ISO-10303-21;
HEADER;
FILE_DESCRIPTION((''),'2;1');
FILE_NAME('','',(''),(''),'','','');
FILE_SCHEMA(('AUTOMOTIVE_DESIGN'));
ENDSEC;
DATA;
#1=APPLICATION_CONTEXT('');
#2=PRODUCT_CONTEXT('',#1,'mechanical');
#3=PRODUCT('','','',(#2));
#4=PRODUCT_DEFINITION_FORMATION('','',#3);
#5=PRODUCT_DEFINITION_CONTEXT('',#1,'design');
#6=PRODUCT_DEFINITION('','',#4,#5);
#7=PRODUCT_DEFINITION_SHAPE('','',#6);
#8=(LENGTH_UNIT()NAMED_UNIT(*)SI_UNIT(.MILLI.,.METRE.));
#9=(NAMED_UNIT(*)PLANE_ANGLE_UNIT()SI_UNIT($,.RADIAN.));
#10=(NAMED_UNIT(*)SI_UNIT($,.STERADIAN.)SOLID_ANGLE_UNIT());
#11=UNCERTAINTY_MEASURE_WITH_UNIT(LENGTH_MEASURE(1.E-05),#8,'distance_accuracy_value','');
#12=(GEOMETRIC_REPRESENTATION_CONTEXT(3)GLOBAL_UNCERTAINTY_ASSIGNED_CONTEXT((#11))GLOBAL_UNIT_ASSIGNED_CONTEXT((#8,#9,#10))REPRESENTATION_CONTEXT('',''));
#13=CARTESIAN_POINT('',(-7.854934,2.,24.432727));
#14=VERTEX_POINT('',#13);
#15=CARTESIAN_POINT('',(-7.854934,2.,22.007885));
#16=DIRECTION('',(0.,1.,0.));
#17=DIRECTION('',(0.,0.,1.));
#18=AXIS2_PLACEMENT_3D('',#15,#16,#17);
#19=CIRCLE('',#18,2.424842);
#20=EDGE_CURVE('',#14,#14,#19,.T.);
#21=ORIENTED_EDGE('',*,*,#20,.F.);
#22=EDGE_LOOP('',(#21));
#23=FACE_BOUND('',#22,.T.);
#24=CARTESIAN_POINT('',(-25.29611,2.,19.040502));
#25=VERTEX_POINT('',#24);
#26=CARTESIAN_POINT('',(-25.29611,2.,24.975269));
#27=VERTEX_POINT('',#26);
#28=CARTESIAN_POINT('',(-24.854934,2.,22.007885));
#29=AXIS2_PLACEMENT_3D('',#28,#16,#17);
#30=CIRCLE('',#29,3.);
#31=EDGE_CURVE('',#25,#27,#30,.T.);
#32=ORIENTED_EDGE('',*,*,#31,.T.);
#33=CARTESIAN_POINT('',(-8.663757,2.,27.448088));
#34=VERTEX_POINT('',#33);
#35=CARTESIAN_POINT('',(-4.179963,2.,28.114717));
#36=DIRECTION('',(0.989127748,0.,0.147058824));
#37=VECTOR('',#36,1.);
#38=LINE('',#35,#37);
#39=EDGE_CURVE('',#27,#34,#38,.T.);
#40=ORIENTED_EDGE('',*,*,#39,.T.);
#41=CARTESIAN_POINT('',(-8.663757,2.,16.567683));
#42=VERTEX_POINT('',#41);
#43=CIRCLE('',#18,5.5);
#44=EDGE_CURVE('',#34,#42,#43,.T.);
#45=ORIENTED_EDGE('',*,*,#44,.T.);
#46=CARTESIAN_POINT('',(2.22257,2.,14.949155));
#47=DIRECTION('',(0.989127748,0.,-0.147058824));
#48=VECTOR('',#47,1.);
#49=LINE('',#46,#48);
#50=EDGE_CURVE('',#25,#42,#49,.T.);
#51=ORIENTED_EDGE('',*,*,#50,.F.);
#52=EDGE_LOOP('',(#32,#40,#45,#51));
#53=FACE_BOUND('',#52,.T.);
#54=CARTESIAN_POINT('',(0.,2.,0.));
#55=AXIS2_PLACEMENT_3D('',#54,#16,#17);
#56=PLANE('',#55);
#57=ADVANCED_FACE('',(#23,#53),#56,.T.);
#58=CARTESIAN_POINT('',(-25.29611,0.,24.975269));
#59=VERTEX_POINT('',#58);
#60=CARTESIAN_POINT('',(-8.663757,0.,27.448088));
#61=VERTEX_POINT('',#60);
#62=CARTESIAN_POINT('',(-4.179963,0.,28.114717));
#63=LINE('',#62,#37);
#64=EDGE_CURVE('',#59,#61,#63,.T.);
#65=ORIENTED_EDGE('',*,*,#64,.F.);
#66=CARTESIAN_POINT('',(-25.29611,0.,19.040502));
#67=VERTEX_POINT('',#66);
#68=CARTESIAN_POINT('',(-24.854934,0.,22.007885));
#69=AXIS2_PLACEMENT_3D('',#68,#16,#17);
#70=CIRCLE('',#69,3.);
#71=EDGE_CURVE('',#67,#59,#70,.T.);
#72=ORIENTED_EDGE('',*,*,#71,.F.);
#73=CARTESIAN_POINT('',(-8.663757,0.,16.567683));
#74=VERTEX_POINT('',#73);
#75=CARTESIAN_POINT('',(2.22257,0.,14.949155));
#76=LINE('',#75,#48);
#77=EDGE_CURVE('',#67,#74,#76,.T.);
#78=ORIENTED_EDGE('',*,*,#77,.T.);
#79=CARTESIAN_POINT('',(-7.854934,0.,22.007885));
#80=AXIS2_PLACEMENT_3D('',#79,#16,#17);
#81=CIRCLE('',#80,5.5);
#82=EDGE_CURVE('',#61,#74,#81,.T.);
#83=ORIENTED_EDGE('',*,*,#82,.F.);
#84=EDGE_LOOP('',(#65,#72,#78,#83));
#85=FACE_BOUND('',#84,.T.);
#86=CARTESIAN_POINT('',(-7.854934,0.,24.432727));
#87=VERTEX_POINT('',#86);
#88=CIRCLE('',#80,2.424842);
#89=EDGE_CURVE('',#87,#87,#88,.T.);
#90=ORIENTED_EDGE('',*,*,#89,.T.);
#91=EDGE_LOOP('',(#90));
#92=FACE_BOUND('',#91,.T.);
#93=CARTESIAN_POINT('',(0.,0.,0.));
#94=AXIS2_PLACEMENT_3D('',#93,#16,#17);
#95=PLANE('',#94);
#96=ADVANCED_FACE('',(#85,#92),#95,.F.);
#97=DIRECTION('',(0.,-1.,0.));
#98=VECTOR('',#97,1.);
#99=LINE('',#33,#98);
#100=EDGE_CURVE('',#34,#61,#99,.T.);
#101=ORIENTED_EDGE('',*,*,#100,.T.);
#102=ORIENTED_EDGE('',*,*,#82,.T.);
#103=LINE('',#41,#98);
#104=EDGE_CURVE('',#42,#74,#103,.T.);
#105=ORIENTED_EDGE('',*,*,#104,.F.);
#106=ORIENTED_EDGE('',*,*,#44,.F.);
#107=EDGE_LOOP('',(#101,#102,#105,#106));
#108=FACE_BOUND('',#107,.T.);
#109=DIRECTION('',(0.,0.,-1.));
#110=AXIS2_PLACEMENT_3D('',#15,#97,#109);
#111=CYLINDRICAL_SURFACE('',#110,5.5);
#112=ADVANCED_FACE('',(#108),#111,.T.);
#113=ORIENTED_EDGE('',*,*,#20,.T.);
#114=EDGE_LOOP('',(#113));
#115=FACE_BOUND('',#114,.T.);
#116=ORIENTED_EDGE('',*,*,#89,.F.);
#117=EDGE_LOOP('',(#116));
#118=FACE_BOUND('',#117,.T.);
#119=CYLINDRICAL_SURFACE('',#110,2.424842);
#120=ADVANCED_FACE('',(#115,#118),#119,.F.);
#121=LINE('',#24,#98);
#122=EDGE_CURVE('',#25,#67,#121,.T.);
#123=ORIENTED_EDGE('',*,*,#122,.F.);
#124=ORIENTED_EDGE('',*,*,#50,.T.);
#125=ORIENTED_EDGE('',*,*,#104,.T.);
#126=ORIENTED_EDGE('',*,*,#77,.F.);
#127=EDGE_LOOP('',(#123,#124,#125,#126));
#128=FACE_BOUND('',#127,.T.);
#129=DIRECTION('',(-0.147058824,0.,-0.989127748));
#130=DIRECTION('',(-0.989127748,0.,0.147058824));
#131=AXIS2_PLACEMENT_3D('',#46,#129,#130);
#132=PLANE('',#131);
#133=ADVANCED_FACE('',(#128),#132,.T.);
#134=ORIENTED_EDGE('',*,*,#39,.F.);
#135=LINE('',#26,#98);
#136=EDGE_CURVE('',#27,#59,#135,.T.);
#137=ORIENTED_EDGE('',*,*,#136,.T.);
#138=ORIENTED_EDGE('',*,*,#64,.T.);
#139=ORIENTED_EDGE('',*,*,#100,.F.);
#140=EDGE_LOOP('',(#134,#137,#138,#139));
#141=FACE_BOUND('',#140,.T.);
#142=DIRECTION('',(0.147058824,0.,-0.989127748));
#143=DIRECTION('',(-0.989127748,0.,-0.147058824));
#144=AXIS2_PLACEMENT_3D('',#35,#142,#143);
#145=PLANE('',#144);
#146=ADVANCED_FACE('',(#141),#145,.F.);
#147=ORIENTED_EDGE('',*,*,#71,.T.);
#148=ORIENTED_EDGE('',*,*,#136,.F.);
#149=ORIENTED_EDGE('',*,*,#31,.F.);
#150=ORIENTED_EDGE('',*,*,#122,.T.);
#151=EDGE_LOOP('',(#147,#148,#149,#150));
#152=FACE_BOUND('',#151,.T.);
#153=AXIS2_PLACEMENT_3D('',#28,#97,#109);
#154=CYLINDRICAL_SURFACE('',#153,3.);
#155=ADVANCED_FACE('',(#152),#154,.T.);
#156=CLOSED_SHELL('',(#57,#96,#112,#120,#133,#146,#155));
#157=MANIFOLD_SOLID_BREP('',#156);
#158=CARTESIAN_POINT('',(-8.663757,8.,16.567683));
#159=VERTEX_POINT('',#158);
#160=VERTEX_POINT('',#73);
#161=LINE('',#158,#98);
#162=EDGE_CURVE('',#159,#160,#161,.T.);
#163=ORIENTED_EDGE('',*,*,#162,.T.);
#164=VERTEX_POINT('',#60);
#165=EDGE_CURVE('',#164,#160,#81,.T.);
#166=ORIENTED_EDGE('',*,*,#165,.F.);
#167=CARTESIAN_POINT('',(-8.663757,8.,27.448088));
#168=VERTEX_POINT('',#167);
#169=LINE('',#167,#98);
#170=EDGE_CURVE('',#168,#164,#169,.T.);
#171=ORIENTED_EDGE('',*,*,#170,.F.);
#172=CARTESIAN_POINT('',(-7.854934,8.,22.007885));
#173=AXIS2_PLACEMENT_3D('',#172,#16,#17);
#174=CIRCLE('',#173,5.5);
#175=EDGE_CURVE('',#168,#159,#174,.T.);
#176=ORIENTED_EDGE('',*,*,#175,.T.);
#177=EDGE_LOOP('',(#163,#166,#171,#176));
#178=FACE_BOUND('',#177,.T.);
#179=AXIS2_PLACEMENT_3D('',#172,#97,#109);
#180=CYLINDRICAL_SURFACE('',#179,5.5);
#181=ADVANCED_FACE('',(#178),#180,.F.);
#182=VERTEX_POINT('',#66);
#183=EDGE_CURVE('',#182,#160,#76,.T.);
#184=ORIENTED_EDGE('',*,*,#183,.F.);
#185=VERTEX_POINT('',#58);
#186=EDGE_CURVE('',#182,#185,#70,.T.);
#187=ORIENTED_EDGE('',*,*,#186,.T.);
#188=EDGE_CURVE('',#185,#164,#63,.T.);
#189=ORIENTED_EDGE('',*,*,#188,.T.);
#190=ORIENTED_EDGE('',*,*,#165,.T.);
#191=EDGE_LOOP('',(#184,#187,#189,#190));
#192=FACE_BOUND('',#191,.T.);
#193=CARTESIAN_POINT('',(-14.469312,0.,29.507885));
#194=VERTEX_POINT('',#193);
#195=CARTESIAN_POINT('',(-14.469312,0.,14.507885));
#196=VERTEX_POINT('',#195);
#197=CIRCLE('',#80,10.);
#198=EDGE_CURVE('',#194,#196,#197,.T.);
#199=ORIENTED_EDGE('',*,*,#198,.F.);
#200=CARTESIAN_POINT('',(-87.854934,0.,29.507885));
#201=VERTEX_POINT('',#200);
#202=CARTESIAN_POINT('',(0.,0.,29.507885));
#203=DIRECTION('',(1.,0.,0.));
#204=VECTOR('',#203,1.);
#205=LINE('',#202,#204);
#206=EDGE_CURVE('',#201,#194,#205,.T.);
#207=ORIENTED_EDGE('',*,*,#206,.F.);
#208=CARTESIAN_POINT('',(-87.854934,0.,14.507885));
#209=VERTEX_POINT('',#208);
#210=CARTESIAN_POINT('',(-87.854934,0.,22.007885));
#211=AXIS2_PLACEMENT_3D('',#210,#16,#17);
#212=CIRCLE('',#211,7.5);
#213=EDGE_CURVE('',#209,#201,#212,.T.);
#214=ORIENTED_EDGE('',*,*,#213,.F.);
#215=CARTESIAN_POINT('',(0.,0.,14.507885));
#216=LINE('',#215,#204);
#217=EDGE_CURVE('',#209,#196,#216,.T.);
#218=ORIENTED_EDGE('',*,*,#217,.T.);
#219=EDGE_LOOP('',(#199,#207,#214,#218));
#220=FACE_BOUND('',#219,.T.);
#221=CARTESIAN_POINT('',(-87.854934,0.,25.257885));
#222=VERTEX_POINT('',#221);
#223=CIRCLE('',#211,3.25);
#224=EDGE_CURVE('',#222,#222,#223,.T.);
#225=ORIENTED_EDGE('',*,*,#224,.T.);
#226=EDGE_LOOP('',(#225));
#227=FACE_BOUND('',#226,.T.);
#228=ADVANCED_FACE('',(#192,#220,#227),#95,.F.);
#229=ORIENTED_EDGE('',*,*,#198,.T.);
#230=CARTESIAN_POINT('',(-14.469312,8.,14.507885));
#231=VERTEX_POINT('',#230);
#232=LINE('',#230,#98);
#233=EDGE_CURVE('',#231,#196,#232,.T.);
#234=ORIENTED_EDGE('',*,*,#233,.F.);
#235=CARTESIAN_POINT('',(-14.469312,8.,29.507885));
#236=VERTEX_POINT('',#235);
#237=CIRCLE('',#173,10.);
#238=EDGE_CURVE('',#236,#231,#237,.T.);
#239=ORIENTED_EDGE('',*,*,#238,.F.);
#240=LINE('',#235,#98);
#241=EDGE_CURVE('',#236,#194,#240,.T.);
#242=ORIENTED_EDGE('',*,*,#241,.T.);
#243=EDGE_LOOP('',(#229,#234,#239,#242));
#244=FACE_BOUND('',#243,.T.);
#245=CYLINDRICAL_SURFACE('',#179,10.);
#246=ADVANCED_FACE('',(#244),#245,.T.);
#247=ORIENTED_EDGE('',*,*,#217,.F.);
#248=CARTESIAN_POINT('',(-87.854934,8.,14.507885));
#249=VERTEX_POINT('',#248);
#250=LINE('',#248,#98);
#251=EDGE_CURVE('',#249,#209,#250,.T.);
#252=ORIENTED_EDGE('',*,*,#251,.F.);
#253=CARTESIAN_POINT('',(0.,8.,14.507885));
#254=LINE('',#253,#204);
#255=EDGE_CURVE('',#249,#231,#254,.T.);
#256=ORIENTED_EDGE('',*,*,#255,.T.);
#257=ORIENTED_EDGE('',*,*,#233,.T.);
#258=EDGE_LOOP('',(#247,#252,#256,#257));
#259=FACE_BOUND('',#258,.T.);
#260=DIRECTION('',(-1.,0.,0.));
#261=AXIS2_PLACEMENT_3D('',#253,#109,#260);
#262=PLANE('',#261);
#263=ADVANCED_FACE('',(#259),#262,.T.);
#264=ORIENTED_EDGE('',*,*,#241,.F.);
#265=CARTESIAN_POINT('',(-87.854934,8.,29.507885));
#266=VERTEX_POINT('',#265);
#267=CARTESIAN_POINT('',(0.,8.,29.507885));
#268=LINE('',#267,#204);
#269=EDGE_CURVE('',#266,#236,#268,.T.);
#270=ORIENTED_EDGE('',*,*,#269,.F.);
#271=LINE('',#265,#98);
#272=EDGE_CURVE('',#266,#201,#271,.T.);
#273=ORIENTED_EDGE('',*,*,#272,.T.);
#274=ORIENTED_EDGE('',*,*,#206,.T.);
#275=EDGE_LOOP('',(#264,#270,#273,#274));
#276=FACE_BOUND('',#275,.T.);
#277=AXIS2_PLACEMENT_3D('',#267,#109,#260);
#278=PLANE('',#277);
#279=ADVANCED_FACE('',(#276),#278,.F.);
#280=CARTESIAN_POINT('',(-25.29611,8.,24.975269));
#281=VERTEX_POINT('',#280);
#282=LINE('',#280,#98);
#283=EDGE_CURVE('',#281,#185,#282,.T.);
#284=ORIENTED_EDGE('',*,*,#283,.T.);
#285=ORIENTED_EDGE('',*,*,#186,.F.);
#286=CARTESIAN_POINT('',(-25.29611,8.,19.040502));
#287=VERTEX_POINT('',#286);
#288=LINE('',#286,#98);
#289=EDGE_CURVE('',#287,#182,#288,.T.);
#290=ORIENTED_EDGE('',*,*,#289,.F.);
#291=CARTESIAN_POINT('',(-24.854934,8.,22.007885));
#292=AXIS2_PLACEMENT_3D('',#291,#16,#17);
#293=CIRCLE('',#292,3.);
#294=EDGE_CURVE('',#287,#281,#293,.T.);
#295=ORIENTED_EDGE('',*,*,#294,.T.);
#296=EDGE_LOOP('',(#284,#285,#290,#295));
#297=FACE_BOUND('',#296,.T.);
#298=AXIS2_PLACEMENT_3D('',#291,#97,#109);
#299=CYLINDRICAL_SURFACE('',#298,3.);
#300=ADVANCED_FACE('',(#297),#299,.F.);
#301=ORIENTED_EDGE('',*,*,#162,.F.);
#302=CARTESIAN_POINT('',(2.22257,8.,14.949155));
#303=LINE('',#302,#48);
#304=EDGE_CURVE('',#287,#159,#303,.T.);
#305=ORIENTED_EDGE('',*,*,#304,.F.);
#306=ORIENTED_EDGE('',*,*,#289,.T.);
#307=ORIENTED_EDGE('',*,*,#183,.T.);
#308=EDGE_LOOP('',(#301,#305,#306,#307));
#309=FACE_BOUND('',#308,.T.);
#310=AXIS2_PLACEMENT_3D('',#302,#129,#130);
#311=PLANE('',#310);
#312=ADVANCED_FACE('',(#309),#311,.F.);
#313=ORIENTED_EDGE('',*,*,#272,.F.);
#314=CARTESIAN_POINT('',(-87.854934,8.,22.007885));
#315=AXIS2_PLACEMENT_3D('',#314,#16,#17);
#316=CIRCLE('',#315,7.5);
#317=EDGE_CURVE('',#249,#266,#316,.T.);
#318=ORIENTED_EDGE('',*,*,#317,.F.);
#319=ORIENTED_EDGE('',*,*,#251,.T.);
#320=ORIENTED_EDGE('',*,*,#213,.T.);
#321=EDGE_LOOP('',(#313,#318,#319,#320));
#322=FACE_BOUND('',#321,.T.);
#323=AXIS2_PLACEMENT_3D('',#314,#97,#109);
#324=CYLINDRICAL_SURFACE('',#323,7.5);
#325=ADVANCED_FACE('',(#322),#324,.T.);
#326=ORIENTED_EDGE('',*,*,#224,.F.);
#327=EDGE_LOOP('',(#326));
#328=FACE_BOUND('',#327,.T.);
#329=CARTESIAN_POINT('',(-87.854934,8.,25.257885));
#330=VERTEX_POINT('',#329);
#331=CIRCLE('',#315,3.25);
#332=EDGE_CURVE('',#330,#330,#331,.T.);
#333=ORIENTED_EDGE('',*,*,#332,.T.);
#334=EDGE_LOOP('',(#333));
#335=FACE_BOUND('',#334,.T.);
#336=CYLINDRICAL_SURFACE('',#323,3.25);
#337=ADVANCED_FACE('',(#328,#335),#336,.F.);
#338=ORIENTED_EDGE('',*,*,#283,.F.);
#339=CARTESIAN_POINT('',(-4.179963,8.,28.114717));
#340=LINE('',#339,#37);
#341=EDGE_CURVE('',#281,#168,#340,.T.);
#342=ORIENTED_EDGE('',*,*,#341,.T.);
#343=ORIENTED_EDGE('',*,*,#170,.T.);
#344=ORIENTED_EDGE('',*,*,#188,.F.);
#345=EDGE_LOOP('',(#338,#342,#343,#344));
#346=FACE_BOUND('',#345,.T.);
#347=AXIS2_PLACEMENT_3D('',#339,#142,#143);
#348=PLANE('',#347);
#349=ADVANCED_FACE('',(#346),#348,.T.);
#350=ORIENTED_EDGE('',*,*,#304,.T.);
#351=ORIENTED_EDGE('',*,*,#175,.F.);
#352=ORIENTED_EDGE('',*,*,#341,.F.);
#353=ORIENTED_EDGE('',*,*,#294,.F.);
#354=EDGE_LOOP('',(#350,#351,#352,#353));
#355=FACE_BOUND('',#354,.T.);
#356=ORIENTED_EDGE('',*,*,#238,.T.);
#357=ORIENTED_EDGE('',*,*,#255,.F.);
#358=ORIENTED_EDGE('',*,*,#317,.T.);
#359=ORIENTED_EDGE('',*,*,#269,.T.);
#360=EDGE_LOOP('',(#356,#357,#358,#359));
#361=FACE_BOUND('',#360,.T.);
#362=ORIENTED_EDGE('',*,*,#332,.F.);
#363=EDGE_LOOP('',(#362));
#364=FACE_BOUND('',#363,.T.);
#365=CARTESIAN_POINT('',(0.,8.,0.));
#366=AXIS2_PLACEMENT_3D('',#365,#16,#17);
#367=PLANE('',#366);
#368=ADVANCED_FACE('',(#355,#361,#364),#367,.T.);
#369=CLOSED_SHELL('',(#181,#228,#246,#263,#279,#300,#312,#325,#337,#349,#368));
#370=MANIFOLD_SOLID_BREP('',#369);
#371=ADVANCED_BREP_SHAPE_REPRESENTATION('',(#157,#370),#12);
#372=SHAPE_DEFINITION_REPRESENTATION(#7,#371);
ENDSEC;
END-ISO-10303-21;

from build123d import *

# Parameters (mm, degrees)
SKETCH3_R           = 3.25
BOSS_EXTRUDE4_DEPTH = 8
SKETCH3_24_R        = 2.424842227
BOSS_EXTRUDE5_DEPTH = 2


with BuildPart() as part:
    # Sketch3 → Boss-Extrude4 (new body)
    with BuildSketch(Plane(origin=(0, 0, 0), x_dir=(1, 0, 0), z_dir=(0, 1, 0))):
        with BuildLine():
            Line((-87.854933508, -29.507885268), (-14.469311786, -29.507885268))
            ThreePointArc((-14.469311786, -29.507885268), (2.145066492, -22.007885268), (-14.469311786, -14.507885268))
            Line((-14.469311786, -14.507885268), (-87.854933508, -14.507885268))
            ThreePointArc((-87.854933508, -14.507885268), (-95.354933508, -22.007885268), (-87.854933508, -29.507885268))
        make_face()
        with BuildLine():
            ThreePointArc((-8.663757037, -16.567682652), (-2.354933508, -22.007885268), (-8.663757037, -27.448087883))
            Line((-8.663757037, -27.448087883), (-25.296109978, -24.975268512))
            ThreePointArc((-25.296109978, -24.975268512), (-27.854933508, -22.007885268), (-25.296109978, -19.040502023))
            Line((-25.296109978, -19.040502023), (-8.663757037, -16.567682652))
        make_face(mode=Mode.SUBTRACT)
        with Locations((-87.854933508, -22.007885268)):
            Circle(SKETCH3_R, mode=Mode.SUBTRACT)
    extrude(amount=BOSS_EXTRUDE4_DEPTH)


with BuildPart() as body_2:
    # Sketch3<24> → Boss-Extrude5 (new body)
    with BuildSketch(Plane(origin=(0, 0, 0), x_dir=(1, 0, 0), z_dir=(0, 1, 0))):
        with BuildLine():
            ThreePointArc((-8.663757037, -27.448087883), (-2.354933508, -22.007885268), (-8.663757037, -16.567682652))
            Line((-8.663757037, -16.567682652), (-25.296109978, -19.040502023))
            ThreePointArc((-25.296109978, -19.040502023), (-27.854933508, -22.007885268), (-25.296109978, -24.975268512))
            Line((-25.296109978, -24.975268512), (-8.663757037, -27.448087883))
        make_face()
        with Locations((-7.854933508, -22.007885268)):
            Circle(SKETCH3_24_R, mode=Mode.SUBTRACT)
    extrude(amount=BOSS_EXTRUDE5_DEPTH)


solid = Compound([part.part, body_2.part])
